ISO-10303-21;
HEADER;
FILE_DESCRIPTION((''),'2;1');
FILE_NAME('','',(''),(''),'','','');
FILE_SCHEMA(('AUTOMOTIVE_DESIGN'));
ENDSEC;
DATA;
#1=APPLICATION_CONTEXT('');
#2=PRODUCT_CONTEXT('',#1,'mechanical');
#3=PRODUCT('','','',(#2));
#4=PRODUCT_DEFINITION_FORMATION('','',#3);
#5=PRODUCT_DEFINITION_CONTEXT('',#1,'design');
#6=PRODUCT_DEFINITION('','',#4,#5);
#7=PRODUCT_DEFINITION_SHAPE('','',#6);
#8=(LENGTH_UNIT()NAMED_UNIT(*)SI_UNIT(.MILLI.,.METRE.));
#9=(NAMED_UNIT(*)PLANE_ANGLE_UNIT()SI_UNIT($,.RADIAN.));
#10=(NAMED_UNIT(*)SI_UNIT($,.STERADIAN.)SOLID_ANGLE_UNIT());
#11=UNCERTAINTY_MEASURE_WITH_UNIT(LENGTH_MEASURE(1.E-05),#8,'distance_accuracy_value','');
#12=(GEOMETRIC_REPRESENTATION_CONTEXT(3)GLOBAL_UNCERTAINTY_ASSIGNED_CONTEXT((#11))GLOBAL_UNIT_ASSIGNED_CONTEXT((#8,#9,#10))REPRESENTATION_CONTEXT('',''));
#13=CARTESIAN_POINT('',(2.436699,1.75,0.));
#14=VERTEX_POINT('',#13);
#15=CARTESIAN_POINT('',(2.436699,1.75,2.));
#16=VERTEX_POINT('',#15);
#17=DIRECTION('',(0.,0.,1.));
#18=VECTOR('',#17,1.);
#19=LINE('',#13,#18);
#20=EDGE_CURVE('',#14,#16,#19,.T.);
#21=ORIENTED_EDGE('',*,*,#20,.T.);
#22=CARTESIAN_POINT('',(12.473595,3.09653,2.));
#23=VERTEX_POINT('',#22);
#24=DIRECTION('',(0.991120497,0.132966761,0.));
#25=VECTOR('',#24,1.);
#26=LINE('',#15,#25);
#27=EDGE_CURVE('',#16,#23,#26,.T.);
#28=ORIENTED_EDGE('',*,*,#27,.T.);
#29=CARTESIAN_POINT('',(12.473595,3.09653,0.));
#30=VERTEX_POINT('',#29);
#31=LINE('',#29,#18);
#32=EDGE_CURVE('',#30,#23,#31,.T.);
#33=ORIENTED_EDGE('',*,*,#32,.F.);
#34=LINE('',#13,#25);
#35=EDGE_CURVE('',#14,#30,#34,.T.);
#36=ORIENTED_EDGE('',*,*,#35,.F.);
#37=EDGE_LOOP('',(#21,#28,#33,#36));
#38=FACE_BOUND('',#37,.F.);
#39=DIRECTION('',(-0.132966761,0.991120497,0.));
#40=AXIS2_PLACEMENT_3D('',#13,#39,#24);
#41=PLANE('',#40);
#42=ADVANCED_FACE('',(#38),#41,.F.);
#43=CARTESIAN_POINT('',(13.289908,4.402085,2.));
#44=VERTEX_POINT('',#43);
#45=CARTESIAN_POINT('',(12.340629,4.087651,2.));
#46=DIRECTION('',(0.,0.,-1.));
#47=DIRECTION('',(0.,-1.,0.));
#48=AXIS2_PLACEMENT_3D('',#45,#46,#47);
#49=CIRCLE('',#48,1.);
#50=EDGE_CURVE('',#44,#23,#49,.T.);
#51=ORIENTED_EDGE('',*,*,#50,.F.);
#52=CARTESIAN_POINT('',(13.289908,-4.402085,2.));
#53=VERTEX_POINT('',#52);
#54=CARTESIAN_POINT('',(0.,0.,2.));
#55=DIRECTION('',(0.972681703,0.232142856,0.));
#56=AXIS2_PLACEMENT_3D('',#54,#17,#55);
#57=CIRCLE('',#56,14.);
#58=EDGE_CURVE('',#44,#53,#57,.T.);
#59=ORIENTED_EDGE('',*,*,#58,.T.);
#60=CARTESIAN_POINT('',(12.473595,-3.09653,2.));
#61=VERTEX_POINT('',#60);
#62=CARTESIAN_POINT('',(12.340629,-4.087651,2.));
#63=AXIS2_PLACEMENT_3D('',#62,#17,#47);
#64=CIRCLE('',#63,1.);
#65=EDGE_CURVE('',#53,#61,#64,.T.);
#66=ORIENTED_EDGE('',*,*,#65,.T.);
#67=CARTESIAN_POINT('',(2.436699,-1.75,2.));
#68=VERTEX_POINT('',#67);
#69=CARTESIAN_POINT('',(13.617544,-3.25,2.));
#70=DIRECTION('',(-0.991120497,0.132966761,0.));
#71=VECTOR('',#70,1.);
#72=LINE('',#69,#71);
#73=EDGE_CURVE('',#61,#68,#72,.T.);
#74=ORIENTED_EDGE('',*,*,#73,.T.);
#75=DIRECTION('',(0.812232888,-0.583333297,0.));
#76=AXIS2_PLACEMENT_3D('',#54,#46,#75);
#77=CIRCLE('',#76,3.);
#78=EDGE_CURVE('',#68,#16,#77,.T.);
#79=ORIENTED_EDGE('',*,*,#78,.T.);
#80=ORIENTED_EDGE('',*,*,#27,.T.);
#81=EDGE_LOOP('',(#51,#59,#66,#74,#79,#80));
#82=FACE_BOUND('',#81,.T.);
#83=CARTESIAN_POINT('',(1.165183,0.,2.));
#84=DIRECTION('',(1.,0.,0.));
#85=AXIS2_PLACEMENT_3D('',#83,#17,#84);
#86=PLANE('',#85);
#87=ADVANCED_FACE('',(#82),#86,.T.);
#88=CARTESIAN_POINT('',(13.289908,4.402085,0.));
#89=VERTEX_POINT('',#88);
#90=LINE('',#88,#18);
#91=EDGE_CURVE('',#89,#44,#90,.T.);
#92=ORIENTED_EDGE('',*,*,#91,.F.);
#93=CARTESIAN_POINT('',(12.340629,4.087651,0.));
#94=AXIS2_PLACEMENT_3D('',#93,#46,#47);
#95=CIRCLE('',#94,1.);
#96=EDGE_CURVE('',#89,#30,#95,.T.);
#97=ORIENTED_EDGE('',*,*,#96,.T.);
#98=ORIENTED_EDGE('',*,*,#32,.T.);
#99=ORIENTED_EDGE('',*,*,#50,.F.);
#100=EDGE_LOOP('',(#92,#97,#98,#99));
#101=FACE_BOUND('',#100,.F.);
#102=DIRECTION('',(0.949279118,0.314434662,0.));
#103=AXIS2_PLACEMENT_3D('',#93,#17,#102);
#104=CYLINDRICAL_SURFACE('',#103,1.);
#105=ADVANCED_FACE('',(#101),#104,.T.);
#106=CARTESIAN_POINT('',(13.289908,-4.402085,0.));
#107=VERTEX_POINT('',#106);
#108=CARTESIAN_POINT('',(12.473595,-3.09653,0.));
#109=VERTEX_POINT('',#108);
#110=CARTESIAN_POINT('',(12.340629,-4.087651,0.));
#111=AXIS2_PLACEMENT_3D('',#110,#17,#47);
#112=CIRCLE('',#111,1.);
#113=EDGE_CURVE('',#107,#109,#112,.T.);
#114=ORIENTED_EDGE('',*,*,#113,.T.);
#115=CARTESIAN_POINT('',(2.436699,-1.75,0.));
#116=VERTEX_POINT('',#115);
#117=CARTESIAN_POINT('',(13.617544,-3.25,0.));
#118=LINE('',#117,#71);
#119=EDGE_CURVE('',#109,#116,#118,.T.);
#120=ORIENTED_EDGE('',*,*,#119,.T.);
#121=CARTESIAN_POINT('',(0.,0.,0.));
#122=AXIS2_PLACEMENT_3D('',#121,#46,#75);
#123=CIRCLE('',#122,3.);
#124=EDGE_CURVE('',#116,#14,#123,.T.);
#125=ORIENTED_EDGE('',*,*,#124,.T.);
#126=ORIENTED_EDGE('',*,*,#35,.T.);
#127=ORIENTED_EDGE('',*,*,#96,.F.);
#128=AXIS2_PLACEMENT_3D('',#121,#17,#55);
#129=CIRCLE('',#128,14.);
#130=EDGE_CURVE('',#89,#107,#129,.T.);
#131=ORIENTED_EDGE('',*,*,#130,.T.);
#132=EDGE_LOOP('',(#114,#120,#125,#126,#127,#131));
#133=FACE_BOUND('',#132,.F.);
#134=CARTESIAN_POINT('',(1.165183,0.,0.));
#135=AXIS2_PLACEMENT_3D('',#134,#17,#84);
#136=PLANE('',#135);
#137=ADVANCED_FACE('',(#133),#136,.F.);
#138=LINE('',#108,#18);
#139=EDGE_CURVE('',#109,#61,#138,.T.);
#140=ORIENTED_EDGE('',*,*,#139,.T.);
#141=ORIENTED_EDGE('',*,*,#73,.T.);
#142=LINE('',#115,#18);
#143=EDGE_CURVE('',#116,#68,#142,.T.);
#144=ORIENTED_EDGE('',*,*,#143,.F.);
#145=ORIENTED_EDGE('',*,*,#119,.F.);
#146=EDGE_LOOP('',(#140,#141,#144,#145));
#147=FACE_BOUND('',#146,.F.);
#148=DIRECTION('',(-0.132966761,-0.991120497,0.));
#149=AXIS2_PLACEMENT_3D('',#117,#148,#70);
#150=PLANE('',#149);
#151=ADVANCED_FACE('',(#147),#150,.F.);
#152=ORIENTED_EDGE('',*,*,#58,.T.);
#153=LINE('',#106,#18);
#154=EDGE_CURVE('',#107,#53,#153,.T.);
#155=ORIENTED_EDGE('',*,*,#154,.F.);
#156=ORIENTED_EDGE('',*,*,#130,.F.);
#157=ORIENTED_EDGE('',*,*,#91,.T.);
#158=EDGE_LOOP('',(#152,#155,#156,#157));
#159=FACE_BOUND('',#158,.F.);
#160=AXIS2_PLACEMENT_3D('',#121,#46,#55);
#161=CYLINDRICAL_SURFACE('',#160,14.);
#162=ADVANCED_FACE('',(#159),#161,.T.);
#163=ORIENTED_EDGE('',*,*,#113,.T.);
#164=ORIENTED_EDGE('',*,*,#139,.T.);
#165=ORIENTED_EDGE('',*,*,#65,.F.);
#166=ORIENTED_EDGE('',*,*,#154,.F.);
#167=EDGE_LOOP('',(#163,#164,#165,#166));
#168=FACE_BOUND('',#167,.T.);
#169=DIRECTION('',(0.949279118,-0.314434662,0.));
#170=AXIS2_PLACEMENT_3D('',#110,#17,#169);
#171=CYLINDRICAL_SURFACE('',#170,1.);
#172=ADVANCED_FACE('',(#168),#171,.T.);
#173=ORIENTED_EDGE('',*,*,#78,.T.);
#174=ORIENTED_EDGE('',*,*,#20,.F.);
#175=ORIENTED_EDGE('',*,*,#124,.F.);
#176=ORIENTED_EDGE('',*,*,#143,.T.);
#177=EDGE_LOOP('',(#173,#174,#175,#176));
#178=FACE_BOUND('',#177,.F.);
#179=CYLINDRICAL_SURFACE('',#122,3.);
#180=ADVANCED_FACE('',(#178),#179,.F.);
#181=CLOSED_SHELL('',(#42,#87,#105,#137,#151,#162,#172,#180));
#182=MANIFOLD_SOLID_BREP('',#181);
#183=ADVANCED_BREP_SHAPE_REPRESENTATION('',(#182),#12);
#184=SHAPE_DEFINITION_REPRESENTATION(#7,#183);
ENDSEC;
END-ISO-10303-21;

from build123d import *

# Parameters (mm, degrees)
F1_DEPTH = 2
F2_R     = 1


with BuildPart() as f1:
    # F0 (on Top) → F1 (new body)
    with BuildSketch(Plane.XY):
        with BuildLine():
            ThreePointArc((13.617544, 3.25), (-14, 0), (13.617544, -3.25))
            Line((13.617544, -3.25), (2.436699, -1.75))
            ThreePointArc((2.436699, -1.75), (-3, 0), (2.436699, 1.75))
            Line((2.436699, 1.75), (13.617544, 3.25))
        make_face()
    extrude(amount=F1_DEPTH)

    # F2
    f2_edges = [f1.edges().sort_by_distance(p)[0] for p in [
        (13.617544, 3.25, 1),
        (13.617544, -3.25, 1),
    ]]
    fillet(f2_edges, radius=F2_R)


solid = f1.part
